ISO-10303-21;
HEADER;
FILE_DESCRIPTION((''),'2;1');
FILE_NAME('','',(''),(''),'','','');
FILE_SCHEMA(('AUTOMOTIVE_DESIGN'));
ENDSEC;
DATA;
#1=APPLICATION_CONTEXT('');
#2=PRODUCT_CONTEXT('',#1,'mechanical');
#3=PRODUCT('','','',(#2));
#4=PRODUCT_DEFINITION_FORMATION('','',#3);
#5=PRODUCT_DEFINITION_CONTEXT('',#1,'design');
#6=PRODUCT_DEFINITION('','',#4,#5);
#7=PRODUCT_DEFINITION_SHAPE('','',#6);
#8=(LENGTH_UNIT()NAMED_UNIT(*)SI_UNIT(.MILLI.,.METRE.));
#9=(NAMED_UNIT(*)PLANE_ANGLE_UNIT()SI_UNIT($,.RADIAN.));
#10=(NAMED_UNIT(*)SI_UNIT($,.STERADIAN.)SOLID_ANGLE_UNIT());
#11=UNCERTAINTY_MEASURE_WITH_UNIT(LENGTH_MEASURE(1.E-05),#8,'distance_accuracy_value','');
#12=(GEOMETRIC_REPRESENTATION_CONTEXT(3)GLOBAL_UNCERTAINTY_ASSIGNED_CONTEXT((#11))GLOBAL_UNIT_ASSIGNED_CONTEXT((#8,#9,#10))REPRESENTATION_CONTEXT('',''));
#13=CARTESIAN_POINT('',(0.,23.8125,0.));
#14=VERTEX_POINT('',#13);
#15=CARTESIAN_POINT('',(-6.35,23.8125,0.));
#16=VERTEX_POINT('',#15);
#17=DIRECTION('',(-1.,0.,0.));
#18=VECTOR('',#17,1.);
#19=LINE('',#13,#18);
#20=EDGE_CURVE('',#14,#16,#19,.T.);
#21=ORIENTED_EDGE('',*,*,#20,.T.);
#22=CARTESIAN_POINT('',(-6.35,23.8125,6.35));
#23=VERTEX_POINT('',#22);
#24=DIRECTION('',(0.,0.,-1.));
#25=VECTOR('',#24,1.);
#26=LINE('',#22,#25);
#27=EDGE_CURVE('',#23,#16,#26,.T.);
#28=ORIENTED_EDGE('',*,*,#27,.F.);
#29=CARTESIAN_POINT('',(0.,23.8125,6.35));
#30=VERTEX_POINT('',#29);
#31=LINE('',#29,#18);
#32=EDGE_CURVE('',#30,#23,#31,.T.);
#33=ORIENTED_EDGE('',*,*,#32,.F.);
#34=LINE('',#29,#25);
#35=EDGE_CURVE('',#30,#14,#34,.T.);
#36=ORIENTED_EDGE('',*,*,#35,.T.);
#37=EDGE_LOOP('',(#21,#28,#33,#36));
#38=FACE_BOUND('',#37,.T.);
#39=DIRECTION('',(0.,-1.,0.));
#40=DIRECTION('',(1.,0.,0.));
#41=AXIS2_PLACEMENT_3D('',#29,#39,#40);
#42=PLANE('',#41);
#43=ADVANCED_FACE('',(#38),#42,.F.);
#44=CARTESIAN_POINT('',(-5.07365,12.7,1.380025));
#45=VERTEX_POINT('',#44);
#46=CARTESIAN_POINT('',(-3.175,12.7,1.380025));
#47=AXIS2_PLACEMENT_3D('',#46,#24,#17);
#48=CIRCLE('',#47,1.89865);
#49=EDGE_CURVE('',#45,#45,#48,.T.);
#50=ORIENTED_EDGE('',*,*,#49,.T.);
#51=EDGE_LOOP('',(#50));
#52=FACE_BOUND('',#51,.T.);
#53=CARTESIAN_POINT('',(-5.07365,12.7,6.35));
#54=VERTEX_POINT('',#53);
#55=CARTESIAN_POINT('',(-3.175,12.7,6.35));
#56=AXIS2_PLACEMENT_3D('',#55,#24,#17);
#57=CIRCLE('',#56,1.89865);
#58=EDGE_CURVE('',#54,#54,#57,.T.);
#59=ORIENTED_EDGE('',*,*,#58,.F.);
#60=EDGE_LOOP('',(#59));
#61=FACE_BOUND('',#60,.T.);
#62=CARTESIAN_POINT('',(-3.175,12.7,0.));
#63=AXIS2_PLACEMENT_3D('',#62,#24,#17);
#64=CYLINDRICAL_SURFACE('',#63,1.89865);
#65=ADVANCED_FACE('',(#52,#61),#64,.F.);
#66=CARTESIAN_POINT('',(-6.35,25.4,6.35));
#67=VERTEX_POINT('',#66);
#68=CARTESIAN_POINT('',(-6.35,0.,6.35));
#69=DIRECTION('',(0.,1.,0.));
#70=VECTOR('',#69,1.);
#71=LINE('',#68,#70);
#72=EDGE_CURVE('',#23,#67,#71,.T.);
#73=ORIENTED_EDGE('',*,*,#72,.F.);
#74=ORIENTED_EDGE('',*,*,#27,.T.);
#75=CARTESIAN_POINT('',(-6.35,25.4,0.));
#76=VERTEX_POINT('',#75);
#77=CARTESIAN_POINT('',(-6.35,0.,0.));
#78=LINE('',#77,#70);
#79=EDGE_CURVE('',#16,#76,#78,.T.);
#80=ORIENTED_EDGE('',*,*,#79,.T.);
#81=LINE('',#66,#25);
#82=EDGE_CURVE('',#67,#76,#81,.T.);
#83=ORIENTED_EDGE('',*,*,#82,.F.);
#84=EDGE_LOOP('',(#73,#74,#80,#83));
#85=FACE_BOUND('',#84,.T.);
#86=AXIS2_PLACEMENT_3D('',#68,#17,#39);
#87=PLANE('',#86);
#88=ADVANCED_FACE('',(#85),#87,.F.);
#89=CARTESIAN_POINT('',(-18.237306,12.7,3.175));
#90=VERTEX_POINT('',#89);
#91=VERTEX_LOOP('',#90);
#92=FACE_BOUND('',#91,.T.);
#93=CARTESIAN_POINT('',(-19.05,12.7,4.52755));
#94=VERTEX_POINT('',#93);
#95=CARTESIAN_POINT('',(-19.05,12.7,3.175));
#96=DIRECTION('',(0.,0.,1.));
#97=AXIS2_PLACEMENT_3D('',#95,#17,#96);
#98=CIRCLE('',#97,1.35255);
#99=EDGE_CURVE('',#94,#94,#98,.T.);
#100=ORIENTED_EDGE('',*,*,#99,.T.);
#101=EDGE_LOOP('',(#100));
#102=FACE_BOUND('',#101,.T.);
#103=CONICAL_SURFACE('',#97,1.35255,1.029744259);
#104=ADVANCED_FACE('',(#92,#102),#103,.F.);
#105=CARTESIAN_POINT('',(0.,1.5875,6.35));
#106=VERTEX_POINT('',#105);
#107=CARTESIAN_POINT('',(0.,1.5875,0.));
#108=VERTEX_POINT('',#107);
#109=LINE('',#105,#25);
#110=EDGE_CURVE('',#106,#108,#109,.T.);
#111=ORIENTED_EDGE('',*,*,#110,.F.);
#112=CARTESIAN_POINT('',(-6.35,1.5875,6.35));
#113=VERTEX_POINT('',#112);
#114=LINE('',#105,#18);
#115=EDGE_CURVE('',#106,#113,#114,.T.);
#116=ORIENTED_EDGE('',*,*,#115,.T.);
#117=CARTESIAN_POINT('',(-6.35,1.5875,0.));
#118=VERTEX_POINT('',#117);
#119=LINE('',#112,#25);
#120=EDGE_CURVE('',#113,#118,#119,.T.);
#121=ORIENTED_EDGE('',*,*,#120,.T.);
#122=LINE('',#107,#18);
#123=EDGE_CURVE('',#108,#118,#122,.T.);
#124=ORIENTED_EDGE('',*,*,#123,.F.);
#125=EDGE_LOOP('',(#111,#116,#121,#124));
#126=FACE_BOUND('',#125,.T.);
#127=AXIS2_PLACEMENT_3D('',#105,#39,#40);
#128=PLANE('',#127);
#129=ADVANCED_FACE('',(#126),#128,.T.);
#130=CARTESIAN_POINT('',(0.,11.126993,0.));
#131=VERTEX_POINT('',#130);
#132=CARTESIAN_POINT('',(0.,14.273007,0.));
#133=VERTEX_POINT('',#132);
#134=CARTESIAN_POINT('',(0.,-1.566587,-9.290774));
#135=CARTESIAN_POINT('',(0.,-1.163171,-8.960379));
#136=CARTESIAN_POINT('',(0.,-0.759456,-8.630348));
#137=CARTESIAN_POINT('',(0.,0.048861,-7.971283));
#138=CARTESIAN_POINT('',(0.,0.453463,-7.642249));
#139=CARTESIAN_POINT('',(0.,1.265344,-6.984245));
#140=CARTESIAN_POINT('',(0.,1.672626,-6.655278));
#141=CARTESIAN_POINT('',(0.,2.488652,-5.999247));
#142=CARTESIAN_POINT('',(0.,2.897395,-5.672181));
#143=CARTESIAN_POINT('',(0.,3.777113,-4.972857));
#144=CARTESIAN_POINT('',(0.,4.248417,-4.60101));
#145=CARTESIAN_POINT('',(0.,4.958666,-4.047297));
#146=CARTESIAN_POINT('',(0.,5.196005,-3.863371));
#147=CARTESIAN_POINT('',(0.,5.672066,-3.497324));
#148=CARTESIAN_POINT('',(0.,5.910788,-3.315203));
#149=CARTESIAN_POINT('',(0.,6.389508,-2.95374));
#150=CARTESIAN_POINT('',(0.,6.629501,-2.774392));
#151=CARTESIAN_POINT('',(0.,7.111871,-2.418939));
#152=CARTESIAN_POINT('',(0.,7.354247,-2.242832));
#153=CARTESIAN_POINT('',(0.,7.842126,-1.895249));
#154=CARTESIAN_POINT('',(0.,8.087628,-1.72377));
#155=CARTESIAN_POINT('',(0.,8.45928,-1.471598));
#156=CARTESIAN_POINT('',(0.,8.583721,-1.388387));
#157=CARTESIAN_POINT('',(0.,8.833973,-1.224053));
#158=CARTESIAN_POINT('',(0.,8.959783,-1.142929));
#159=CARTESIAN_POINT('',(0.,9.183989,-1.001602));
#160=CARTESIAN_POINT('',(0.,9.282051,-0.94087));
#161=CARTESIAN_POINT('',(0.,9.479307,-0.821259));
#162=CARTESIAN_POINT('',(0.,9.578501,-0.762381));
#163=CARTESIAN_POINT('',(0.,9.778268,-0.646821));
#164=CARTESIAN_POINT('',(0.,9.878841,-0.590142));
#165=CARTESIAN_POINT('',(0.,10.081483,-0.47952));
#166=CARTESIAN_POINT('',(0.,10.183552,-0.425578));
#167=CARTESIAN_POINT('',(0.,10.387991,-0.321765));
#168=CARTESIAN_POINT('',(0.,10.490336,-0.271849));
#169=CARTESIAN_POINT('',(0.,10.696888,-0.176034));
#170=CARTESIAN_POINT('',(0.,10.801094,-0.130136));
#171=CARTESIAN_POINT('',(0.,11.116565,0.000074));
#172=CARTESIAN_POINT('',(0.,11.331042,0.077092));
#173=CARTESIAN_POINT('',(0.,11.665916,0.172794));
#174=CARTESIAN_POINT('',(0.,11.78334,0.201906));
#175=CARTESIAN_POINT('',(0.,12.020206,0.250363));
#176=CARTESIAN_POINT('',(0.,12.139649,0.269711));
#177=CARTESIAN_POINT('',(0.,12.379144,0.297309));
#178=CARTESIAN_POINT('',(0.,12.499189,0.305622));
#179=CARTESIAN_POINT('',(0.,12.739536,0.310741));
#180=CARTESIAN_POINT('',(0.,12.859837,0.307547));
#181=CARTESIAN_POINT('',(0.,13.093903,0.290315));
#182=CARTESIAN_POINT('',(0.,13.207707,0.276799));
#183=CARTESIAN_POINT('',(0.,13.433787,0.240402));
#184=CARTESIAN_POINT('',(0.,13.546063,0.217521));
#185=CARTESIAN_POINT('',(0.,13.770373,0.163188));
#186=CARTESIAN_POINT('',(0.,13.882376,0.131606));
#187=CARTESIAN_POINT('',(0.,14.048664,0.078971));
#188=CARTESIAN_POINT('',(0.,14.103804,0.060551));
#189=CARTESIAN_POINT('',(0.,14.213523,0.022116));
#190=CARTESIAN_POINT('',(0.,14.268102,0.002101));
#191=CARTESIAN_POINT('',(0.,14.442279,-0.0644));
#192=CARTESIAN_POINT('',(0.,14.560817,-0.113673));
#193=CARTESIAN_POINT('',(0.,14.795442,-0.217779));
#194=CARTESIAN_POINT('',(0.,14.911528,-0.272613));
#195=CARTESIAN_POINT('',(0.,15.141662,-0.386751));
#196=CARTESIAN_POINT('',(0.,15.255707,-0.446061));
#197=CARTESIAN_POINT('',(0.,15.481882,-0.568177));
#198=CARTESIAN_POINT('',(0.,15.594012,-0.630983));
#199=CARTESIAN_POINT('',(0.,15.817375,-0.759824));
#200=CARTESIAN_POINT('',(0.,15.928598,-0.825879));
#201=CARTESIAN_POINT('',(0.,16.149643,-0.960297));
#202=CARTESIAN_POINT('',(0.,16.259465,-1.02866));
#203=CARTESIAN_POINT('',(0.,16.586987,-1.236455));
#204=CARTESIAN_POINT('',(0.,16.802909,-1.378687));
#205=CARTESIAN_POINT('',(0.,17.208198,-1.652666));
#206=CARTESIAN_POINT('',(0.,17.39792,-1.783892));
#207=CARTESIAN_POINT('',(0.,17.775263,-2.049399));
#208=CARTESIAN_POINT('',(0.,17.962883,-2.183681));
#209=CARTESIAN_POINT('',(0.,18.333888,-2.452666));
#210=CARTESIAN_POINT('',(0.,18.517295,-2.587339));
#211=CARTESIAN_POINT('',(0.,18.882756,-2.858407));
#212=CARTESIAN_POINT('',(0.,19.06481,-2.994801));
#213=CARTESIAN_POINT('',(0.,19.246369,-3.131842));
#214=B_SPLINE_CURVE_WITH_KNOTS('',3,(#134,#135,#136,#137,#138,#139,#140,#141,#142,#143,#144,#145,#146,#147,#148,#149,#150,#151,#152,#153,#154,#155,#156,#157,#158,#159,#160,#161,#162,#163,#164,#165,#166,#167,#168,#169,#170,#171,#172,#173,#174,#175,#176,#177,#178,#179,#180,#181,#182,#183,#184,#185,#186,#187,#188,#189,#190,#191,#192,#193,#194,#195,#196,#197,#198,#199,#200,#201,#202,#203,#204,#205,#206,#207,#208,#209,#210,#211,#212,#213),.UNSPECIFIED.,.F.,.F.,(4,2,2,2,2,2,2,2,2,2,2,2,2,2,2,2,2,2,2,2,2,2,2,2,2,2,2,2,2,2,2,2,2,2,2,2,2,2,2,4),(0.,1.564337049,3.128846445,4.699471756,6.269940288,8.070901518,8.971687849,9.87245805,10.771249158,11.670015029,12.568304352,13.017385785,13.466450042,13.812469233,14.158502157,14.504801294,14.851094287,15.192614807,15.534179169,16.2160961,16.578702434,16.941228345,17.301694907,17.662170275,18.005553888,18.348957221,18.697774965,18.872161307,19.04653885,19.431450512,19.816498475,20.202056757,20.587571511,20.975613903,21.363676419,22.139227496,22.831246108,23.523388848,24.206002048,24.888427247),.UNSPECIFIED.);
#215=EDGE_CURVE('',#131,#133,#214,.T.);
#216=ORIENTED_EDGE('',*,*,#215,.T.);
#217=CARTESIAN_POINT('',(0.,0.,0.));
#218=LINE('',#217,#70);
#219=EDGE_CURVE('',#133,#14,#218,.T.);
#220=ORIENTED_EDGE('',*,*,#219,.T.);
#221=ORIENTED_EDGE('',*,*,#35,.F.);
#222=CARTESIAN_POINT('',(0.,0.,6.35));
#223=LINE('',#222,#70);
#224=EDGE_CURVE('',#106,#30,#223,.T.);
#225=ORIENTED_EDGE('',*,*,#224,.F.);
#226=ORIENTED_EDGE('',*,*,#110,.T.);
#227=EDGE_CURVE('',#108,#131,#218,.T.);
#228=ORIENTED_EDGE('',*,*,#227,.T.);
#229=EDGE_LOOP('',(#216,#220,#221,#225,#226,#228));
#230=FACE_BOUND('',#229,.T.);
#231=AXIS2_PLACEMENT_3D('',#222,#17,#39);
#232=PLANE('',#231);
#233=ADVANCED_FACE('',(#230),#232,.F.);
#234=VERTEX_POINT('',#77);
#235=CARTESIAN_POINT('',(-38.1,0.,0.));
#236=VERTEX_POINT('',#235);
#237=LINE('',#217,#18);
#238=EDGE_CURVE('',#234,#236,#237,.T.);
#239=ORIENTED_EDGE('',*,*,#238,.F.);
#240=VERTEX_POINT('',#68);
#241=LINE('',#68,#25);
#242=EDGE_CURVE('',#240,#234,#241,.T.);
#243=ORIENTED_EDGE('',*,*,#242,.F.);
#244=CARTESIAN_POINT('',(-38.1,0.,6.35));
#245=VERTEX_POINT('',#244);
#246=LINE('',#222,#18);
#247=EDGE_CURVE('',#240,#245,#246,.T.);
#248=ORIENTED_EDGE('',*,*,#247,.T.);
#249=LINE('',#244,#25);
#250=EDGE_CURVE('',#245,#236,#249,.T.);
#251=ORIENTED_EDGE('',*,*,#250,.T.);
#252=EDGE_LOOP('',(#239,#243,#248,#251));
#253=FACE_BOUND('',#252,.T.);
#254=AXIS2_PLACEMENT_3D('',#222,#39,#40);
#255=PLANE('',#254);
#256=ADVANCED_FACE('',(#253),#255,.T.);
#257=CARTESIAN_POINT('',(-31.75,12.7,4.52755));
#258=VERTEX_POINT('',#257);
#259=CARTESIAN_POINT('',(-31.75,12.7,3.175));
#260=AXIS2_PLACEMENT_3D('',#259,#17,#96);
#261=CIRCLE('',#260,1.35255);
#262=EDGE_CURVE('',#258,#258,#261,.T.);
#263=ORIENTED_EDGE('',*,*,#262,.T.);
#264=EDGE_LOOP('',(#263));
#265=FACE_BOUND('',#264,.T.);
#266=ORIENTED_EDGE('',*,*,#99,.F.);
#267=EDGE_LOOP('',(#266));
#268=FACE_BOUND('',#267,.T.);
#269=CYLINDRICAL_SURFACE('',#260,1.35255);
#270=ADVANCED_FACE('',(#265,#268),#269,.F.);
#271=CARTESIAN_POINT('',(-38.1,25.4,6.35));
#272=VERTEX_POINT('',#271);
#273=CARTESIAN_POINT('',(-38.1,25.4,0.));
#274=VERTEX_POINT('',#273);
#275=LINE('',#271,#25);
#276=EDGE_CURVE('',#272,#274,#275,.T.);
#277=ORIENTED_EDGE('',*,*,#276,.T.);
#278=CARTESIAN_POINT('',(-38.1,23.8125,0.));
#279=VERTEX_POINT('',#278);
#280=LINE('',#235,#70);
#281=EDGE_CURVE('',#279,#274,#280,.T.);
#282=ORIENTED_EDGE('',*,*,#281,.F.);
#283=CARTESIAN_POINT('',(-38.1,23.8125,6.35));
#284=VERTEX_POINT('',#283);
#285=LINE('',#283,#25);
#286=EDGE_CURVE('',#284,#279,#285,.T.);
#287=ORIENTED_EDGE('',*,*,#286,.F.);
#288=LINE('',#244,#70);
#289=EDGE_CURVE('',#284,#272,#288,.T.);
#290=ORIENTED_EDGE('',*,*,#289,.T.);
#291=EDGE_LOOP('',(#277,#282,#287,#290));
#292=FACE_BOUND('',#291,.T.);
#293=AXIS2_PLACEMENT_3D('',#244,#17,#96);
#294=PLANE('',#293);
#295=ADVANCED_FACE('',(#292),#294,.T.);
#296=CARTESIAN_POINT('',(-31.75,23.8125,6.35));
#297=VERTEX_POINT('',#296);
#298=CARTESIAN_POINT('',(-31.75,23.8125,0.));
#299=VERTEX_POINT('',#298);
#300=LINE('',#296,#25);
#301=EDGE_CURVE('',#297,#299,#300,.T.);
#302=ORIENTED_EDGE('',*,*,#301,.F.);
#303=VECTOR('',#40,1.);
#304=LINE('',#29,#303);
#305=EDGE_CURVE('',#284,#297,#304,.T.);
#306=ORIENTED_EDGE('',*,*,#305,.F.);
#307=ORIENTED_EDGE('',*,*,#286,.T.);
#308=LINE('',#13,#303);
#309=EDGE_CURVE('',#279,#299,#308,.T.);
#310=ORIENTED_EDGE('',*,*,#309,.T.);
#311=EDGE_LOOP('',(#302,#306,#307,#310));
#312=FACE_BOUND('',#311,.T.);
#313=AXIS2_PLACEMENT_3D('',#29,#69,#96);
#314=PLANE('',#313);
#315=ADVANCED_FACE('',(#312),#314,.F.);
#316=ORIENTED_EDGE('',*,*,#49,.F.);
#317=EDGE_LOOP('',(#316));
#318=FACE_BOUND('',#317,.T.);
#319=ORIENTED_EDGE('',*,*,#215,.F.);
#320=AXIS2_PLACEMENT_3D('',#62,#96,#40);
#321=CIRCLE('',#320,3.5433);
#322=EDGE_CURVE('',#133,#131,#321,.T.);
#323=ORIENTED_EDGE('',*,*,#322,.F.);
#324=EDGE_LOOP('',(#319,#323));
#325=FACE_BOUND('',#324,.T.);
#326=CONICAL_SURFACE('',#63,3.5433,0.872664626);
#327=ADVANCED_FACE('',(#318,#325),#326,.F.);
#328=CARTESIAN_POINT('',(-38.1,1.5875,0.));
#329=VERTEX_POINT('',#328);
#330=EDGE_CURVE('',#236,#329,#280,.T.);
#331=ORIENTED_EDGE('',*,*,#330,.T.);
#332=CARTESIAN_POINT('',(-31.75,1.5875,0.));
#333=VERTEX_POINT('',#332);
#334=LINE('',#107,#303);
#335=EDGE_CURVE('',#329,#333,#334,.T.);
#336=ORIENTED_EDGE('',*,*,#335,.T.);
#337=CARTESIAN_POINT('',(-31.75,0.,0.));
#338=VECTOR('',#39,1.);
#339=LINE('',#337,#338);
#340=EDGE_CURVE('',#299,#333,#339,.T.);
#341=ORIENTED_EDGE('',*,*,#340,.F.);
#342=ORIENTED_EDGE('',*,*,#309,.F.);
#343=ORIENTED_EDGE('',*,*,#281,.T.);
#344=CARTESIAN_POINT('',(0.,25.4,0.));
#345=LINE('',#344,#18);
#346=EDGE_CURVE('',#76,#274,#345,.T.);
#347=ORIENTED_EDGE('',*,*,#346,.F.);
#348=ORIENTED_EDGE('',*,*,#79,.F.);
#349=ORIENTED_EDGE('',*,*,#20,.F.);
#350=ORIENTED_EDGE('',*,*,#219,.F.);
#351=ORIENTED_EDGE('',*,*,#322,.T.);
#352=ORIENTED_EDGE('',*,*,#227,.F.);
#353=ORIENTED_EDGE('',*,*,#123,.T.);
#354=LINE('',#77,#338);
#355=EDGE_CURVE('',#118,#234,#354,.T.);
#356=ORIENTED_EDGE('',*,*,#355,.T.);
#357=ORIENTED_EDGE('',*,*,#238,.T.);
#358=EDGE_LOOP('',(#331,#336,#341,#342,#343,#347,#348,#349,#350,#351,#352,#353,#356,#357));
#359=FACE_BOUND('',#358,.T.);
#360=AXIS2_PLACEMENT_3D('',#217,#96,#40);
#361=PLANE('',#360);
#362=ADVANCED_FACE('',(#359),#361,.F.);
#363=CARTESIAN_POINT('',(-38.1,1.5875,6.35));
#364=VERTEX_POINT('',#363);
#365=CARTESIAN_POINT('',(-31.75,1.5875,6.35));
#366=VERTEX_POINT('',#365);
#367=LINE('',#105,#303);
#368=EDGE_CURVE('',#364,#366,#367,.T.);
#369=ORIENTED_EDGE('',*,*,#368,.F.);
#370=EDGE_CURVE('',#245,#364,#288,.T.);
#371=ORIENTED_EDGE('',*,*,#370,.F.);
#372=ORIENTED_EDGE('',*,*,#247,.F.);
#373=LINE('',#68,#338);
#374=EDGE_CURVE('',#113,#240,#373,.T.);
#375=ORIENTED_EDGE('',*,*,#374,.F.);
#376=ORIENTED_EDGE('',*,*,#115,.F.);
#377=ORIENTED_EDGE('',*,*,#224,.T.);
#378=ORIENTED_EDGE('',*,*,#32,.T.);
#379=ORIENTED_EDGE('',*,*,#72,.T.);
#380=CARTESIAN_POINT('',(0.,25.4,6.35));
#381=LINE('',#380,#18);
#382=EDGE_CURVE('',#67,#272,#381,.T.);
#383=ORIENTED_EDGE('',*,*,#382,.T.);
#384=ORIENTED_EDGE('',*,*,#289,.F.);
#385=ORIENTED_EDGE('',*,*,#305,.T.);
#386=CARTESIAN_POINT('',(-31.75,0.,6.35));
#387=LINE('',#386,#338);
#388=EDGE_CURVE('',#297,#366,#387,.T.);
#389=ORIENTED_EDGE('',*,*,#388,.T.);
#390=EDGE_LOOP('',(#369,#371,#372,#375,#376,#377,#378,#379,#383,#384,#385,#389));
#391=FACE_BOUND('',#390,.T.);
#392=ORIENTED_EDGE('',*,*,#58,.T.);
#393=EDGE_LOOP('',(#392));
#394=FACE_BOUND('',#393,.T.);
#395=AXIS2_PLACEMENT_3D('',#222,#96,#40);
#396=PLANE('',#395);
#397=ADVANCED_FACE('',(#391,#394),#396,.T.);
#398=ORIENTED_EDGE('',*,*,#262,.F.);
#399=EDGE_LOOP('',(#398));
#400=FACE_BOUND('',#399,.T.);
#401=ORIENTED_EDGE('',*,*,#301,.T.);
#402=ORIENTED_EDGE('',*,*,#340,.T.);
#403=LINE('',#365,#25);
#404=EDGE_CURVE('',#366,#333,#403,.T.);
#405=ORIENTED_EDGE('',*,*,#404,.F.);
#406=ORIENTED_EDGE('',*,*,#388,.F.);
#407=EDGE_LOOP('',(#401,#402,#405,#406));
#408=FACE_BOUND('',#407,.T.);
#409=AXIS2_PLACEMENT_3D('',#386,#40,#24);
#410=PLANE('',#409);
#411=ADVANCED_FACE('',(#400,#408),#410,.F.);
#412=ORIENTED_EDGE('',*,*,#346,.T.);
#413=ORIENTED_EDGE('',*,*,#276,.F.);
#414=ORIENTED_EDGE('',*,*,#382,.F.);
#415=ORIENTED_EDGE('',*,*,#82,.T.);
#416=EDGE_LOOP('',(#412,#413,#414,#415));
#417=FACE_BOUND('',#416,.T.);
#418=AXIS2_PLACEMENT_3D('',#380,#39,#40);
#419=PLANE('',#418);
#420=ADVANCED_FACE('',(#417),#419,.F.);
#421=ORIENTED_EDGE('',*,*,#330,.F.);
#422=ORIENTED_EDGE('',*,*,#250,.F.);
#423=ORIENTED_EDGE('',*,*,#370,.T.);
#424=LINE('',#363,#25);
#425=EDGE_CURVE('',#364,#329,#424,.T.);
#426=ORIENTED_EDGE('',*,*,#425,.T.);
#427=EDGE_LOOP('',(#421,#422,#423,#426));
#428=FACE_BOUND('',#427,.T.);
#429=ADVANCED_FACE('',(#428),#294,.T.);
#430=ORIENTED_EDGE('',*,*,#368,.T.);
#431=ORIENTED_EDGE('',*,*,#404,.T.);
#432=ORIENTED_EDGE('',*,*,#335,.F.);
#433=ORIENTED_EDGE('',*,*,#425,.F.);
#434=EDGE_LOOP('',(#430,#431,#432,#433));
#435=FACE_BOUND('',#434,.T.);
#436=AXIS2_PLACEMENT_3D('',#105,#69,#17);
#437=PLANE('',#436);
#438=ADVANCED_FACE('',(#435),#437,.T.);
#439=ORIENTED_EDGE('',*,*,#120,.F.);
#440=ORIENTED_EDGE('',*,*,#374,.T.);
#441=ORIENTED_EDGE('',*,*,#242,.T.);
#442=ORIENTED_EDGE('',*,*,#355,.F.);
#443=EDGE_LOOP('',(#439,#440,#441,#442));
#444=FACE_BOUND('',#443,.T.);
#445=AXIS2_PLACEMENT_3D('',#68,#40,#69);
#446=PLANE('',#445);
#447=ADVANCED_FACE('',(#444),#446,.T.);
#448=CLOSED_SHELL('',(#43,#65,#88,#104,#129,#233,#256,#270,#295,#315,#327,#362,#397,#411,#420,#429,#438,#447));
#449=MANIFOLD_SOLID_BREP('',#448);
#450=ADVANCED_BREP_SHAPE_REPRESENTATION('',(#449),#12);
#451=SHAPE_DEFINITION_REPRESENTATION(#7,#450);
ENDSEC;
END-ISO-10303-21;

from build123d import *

# Parameters (mm, degrees)
BOSS_EXTRUDE1_DEPTH                               = 6.35
TAP_DRILL_FOR_6_32_TAP1_D                         = 2.7051
TAP_DRILL_FOR_6_32_TAP1_DEPTH                     = 12.7
TAP_DRILL_FOR_6_32_TAP1_TIP                       = 0.81269403
CSK_FOR_6_FLAT_HEAD_MACHINE_SCREW_100_D           = 3.7973
CSK_FOR_6_FLAT_HEAD_MACHINE_SCREW_100_CSINK_D     = 7.0866
CSK_FOR_6_FLAT_HEAD_MACHINE_SCREW_100_CSINK_ANGLE = 100


with BuildPart() as part:
    # Sketch1 → Boss-Extrude1 (new body)
    with BuildSketch(Plane.XY):
        Polygon((0, 23.8125), (-6.35, 23.8125), (-6.35, 25.4), (-38.1, 25.4), (-38.1, 23.8125), (-31.75, 23.8125), (-31.75, 1.5875), (-38.1, 1.5875), (-38.1, 0), (-6.35, 0), (-6.35, 1.5875), (0, 1.5875), align=None)
    extrude(amount=BOSS_EXTRUDE1_DEPTH)

    # Tap Drill for #6-32 Tap1
    with Locations(Plane.ZY.offset(31.75)):
        with Locations((3.175, 12.7)):
            Hole(TAP_DRILL_FOR_6_32_TAP1_D / 2, depth=TAP_DRILL_FOR_6_32_TAP1_DEPTH)
            with Locations((0, 0, -(TAP_DRILL_FOR_6_32_TAP1_DEPTH + TAP_DRILL_FOR_6_32_TAP1_TIP / 2))):  # 118° drill point
                Cone(0, TAP_DRILL_FOR_6_32_TAP1_D / 2, TAP_DRILL_FOR_6_32_TAP1_TIP, mode=Mode.SUBTRACT)

    # CSK for #6 Flat Head Machine Screw (100)1 (through all)
    with Locations(Plane(origin=(0, 0, 0), x_dir=(-1, 0, 0), z_dir=(0, 0, -1))):
        with Locations((3.175, 12.7)):
            CounterSinkHole(CSK_FOR_6_FLAT_HEAD_MACHINE_SCREW_100_D / 2, CSK_FOR_6_FLAT_HEAD_MACHINE_SCREW_100_CSINK_D / 2, counter_sink_angle=CSK_FOR_6_FLAT_HEAD_MACHINE_SCREW_100_CSINK_ANGLE)


solid = part.part
